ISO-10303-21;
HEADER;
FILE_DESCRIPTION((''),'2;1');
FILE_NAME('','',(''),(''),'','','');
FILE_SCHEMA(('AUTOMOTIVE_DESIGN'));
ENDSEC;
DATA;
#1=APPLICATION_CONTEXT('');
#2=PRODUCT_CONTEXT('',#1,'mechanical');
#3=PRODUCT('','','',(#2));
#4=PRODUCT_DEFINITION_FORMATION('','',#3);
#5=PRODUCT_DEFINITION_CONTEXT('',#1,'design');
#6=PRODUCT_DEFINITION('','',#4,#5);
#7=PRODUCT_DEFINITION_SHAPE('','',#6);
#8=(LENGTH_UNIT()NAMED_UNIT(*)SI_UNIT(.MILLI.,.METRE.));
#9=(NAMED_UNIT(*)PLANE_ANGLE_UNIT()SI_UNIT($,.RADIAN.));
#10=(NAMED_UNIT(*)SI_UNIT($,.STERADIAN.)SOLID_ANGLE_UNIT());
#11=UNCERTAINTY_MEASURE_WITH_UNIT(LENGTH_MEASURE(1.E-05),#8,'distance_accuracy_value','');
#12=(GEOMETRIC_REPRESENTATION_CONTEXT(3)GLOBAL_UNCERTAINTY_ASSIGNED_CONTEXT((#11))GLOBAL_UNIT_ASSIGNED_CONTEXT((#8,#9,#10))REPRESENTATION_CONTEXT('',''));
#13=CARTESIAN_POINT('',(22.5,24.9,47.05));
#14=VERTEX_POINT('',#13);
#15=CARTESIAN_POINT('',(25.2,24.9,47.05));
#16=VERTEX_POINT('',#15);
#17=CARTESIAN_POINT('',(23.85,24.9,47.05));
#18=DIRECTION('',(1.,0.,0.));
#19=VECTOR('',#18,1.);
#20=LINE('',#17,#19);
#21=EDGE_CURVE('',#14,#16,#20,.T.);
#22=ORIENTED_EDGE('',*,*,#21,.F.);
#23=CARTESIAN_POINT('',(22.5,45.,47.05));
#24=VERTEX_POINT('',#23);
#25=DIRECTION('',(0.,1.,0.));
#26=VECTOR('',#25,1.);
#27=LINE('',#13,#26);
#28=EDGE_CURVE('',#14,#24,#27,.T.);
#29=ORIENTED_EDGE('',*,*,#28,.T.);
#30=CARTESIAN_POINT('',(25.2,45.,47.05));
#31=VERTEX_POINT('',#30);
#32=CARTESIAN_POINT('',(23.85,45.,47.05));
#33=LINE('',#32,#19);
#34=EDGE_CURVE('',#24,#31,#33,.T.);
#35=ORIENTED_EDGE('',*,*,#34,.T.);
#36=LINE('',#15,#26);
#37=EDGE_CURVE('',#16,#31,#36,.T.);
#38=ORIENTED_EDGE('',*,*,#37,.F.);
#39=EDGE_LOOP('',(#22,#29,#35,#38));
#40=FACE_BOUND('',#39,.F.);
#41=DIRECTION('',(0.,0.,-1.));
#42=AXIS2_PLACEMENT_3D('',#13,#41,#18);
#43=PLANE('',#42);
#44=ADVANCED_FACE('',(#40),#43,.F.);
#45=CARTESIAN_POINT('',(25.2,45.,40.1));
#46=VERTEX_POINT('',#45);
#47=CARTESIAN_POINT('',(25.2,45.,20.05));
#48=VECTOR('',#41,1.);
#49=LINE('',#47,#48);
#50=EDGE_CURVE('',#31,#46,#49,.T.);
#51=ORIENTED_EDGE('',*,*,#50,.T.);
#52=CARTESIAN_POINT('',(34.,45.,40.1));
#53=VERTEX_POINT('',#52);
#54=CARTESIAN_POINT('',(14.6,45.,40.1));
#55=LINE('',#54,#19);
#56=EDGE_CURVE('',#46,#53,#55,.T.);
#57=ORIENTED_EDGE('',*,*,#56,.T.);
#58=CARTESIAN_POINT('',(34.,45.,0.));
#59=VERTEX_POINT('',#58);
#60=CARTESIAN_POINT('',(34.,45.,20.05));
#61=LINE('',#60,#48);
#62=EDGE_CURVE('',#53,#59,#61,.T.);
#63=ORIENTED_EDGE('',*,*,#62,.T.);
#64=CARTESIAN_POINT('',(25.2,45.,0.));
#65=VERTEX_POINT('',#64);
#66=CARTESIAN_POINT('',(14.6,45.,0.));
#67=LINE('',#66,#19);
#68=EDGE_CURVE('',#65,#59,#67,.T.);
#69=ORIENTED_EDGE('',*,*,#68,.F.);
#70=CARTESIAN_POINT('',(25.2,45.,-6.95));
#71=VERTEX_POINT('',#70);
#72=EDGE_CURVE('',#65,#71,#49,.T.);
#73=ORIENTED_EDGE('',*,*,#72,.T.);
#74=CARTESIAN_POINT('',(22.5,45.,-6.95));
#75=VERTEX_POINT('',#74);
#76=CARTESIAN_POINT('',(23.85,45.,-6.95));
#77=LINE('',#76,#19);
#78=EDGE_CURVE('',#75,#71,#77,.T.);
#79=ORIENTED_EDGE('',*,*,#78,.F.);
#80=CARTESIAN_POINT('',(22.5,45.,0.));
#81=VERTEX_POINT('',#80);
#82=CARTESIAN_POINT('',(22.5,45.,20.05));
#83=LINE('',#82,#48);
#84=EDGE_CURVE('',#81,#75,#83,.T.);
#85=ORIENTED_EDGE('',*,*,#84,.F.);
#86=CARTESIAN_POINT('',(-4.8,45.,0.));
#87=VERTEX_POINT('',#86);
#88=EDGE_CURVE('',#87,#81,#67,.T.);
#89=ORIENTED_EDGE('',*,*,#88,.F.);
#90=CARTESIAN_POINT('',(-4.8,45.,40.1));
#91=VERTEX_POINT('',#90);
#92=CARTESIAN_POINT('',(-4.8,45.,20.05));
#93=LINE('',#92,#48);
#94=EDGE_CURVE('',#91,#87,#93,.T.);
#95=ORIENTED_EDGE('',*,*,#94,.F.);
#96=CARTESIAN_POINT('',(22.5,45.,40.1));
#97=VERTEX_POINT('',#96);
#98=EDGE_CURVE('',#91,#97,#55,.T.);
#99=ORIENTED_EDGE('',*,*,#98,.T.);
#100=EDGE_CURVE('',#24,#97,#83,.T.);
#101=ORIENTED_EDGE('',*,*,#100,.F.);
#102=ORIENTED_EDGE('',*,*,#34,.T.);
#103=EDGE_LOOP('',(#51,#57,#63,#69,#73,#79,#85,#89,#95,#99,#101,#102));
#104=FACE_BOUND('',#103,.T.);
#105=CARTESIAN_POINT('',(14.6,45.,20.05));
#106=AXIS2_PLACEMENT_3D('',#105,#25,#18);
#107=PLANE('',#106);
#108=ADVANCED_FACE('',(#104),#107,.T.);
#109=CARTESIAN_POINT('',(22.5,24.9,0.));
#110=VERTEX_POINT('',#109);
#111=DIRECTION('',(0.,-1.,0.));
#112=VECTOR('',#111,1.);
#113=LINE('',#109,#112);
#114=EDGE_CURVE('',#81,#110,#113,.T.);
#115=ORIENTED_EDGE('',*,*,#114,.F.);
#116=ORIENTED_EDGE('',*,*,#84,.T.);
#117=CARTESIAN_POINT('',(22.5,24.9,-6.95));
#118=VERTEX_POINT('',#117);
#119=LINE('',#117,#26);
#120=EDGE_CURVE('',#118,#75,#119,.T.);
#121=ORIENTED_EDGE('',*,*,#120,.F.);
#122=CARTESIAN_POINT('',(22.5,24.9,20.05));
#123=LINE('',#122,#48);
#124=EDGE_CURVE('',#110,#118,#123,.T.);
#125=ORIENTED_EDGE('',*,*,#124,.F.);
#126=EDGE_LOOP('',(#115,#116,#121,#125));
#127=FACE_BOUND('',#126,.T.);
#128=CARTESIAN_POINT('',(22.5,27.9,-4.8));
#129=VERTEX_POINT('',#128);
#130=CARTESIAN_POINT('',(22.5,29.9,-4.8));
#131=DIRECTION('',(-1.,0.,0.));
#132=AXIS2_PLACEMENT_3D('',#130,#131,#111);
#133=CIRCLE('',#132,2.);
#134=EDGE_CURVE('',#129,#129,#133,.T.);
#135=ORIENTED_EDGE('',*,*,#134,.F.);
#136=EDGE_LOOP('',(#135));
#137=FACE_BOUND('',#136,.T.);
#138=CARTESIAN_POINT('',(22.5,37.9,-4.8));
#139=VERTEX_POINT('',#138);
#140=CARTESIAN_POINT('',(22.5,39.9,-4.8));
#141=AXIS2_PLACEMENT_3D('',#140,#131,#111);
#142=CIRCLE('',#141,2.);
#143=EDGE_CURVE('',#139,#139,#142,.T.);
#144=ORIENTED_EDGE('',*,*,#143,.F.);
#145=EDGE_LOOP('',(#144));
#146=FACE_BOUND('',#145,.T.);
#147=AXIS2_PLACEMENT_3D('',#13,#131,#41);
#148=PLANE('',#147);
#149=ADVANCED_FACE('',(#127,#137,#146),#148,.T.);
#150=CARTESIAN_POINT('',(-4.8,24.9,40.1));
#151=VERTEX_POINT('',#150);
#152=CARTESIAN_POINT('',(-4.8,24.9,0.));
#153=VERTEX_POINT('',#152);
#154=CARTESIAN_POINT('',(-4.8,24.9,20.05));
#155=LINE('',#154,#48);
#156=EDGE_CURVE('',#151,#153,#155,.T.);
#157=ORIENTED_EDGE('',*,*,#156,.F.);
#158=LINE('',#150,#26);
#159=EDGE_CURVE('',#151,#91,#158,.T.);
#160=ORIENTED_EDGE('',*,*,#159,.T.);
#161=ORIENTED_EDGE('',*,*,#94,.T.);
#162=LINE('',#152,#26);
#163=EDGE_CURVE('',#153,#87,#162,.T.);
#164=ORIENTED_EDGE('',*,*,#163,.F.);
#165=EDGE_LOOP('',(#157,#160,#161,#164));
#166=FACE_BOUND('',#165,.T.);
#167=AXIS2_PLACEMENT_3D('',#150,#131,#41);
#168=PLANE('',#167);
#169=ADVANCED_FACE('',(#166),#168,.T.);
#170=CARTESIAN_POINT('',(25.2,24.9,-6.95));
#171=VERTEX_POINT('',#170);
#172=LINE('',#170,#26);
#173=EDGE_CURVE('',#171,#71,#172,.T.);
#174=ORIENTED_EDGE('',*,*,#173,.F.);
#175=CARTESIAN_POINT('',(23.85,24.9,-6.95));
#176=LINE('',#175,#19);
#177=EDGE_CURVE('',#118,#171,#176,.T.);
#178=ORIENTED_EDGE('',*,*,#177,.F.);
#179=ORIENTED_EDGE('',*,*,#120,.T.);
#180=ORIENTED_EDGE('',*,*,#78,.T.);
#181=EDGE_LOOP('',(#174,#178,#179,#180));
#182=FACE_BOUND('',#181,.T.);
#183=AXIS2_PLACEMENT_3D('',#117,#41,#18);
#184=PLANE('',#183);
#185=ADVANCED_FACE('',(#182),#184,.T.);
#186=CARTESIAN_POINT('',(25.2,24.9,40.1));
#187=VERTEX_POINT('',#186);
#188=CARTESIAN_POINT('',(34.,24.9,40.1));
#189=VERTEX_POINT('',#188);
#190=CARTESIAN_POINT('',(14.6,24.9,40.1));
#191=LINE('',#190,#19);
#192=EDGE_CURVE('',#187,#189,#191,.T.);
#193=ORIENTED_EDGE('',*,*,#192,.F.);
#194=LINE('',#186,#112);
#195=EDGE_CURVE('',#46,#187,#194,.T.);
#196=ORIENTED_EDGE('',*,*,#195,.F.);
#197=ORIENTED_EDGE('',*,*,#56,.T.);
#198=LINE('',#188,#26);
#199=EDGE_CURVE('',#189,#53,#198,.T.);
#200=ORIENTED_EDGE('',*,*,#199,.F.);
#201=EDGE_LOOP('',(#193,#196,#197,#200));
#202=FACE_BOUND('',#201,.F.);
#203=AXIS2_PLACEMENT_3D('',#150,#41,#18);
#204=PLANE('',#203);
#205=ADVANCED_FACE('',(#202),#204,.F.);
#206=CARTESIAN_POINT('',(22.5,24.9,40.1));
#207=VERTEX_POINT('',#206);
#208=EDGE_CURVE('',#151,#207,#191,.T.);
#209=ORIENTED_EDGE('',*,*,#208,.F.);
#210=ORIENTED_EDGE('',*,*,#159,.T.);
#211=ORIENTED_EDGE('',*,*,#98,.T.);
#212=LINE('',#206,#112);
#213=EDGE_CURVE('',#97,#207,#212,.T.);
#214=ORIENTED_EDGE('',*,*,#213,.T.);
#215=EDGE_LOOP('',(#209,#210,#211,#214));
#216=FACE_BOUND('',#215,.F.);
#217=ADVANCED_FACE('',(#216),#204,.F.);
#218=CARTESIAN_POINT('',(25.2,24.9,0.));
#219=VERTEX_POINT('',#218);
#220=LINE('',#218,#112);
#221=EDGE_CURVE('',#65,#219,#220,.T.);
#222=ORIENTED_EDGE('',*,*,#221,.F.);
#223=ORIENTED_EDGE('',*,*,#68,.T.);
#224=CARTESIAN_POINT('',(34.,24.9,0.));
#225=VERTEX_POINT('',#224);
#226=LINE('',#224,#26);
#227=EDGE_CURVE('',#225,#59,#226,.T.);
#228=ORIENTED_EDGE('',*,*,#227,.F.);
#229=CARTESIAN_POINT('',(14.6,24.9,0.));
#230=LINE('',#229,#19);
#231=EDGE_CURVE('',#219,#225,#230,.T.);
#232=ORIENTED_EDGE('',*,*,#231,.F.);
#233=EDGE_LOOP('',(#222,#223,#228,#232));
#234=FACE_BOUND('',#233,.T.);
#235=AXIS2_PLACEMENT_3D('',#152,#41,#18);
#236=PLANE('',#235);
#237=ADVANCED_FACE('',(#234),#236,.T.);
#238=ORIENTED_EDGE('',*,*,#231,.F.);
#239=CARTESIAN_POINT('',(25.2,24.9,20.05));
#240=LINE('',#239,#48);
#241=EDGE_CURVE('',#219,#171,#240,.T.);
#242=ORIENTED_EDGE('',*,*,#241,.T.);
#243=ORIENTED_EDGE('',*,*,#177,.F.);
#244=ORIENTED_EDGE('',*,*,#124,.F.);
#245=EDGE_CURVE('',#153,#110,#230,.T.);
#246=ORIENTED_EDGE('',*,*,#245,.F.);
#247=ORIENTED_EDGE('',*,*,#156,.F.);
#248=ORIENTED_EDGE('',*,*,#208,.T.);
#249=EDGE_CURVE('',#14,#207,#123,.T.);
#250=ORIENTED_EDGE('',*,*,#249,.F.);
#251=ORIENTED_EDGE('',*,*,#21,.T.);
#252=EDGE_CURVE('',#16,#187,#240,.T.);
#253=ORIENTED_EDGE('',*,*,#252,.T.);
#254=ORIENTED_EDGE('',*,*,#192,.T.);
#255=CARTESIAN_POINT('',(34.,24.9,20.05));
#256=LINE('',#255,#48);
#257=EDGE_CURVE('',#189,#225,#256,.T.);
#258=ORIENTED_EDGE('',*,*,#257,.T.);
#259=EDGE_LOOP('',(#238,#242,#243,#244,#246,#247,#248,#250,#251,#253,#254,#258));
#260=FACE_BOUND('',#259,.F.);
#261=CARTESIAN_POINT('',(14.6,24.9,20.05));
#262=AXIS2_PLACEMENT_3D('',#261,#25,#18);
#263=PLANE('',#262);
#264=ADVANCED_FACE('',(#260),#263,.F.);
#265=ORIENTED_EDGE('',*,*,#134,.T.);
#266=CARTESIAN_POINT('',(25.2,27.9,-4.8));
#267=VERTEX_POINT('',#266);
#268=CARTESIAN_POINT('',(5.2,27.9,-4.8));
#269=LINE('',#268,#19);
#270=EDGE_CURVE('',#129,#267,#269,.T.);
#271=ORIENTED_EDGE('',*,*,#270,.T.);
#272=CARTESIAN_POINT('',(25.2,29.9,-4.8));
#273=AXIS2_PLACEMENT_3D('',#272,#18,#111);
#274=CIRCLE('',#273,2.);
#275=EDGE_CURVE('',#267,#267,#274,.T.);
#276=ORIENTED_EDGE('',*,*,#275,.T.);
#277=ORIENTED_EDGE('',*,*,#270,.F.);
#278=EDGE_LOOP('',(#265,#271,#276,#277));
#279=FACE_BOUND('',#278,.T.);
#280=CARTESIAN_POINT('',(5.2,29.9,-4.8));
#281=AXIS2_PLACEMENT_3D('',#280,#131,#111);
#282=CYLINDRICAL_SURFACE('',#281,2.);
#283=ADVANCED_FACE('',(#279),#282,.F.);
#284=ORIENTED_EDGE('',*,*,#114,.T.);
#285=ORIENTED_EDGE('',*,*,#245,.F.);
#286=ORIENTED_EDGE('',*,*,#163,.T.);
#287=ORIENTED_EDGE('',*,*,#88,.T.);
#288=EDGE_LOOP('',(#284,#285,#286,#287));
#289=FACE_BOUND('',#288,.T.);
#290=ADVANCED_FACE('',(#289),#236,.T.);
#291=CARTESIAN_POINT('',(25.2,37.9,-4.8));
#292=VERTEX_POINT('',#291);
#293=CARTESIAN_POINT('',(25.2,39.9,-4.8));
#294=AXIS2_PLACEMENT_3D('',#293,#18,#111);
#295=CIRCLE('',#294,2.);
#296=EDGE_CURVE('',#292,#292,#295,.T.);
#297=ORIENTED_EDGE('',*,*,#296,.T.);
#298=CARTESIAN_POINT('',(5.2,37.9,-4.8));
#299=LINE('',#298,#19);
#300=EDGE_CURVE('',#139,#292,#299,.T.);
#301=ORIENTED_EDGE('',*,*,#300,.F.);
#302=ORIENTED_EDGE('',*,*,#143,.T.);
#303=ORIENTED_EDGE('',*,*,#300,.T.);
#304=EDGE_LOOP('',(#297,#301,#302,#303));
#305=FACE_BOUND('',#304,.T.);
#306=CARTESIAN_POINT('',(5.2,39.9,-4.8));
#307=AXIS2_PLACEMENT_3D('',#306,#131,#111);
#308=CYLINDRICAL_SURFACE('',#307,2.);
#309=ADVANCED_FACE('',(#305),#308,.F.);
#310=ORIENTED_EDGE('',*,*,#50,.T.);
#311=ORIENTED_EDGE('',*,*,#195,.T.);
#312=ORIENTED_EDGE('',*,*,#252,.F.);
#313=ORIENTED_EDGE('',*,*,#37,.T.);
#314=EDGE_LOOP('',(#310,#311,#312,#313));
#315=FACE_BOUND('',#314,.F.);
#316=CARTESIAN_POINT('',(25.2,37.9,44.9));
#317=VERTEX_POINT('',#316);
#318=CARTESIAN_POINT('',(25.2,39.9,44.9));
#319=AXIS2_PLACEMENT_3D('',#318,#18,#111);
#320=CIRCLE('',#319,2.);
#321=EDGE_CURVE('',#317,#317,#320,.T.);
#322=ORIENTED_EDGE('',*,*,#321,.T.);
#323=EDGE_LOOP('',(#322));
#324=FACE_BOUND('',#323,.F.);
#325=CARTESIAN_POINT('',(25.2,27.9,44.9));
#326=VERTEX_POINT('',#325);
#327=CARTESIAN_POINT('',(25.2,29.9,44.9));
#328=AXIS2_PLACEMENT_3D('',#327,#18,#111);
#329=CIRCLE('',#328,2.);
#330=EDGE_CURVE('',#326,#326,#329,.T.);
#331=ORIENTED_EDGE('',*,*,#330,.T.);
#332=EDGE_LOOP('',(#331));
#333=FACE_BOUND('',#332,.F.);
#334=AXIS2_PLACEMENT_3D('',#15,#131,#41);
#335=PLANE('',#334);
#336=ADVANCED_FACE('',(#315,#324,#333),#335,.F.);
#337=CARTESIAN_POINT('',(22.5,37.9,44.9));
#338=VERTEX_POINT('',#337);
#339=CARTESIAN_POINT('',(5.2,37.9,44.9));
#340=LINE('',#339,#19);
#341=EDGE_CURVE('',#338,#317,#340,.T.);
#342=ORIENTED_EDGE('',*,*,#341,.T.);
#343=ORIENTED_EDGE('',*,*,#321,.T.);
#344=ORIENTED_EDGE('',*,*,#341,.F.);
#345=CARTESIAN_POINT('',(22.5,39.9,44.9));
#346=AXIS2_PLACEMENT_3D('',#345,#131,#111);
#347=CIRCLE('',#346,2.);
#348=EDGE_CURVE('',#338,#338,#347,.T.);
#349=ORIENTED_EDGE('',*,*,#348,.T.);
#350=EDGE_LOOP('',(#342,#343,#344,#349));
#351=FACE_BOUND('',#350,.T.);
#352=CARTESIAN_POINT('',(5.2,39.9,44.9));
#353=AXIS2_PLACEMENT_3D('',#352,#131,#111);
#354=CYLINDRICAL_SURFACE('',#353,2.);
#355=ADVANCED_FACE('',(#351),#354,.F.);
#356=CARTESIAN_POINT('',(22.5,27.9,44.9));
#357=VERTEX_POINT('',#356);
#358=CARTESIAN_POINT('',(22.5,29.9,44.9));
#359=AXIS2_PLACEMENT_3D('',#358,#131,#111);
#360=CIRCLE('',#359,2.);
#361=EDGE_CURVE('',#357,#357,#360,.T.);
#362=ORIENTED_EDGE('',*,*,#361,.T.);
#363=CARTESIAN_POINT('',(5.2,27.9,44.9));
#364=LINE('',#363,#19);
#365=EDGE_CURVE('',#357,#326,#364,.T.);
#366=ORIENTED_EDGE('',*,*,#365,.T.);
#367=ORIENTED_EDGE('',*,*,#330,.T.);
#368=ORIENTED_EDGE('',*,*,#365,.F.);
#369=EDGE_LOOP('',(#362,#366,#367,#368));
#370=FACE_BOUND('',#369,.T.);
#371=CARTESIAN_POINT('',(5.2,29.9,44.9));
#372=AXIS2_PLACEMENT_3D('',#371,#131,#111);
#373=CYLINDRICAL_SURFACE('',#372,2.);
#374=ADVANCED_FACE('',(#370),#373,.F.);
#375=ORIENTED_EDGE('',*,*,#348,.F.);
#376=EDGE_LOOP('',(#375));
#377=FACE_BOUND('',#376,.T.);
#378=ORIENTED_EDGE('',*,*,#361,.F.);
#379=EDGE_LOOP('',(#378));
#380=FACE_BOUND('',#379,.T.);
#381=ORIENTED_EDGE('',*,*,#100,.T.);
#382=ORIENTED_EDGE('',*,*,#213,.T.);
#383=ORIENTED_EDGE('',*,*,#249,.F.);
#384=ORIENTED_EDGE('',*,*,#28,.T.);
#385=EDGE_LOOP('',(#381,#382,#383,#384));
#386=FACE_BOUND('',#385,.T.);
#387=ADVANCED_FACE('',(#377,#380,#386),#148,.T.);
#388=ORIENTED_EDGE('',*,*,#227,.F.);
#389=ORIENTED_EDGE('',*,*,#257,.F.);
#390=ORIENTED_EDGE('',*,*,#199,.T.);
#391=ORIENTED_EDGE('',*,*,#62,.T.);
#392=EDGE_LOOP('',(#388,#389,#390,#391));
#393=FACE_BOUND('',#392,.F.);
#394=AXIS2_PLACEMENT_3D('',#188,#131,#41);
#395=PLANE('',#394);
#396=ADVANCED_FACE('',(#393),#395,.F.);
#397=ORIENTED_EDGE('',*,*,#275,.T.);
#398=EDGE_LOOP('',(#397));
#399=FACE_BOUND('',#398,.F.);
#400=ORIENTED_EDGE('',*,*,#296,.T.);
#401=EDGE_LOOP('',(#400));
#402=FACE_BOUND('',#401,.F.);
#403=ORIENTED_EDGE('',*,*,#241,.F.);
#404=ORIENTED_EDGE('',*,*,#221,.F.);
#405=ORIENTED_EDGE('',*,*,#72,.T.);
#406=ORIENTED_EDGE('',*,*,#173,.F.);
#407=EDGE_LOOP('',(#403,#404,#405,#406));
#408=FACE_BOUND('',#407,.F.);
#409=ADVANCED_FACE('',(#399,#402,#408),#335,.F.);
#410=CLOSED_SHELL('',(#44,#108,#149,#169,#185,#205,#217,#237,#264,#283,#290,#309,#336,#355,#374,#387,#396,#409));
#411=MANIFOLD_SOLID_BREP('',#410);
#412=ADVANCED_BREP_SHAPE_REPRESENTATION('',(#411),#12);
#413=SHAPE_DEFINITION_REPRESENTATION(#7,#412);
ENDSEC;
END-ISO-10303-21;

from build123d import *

# Parameters (mm, degrees)
CYLINDER166_R          = 2
CYLINDER166_DEPTH      = 20
CYLINDER165_R          = 2
CYLINDER165_DEPTH      = 20
CYLINDER163_R          = 2
CYLINDER163_DEPTH      = 20
CYLINDER164_R          = 2
CYLINDER164_DEPTH      = 20
BOX227_W               = 38.8
BOX227_H               = 40.1
BOX227_DEPTH           = 20.1
BOX076_W               = 2.7
BOX076_H               = 54
BOX076_DEPTH           = 20.1
CUT119_PLACEMENT_ANGLE = 90


with BuildPart() as cylinder166:
    # Cylinder166 → Cylinder166 (new body)
    with BuildSketch(Plane(origin=(9.4, 2.2, 5), x_dir=(0, 0, -1), z_dir=(1, 0, 0))):
        Circle(CYLINDER166_R)
    extrude(amount=CYLINDER166_DEPTH)


with BuildPart() as cylinder165:
    # Cylinder165 → Cylinder165 (new body)
    with BuildSketch(Plane(origin=(9.4, 2.2, 15), x_dir=(0, 0, -1), z_dir=(1, 0, 0))):
        Circle(CYLINDER165_R)
    extrude(amount=CYLINDER165_DEPTH)


with BuildPart() as cylinder163:
    # Cylinder163 → Cylinder163 (new body)
    with BuildSketch(Plane(origin=(9.4, 51.9, 5), x_dir=(0, 0, -1), z_dir=(1, 0, 0))):
        Circle(CYLINDER163_R)
    extrude(amount=CYLINDER163_DEPTH)


with BuildPart() as cylinder164:
    # Cylinder164 → Cylinder164 (new body)
    with BuildSketch(Plane(origin=(9.4, 51.9, 15), x_dir=(0, 0, -1), z_dir=(1, 0, 0))):
        Circle(CYLINDER164_R)
    extrude(amount=CYLINDER164_DEPTH)


with BuildPart() as box227:
    # Box227 → Box227 (new body)
    with BuildSketch(Plane(origin=(82, -93, 0), x_dir=(1, 0, 0), z_dir=(0, 0, 1))):
        with Locations((19.4, 20.05)):
            Rectangle(BOX227_W, BOX227_H)
    extrude(amount=BOX227_DEPTH)


with BuildPart() as cut119:
    # Box076 → Box076 (new body)
    with BuildSketch(Plane(origin=(109.3, -99.95, 0), x_dir=(1, 0, 0), z_dir=(0, 0, 1))):
        with Locations((1.35, 27)):
            Rectangle(BOX076_W, BOX076_H)
    extrude(amount=BOX076_DEPTH)

    # Fusion087: union Box227
    add(box227.part)


with BuildPart() as cut119_1:
    # Fusion087 placement: moved
    add(cut119.part.moved(Location((-82.6, 100, 0))))

    # Cut116: cut Cylinder164
    add(cylinder164.part, mode=Mode.SUBTRACT)

    # Cut117: cut Cylinder163
    add(cylinder163.part, mode=Mode.SUBTRACT)

    # Cut118: cut Cylinder165
    add(cylinder165.part, mode=Mode.SUBTRACT)

    # Cut119: cut Cylinder166
    add(cylinder166.part, mode=Mode.SUBTRACT)


with BuildPart() as cut119_2:
    # Cut119 placement: moved
    add(cut119_1.part.moved(Location((-4.2, 24.9, 47.1))).rotate(Axis((-4.2, 24.9, 47.1), (-1, 0, 0)), CUT119_PLACEMENT_ANGLE))


solid = cut119_2.part
